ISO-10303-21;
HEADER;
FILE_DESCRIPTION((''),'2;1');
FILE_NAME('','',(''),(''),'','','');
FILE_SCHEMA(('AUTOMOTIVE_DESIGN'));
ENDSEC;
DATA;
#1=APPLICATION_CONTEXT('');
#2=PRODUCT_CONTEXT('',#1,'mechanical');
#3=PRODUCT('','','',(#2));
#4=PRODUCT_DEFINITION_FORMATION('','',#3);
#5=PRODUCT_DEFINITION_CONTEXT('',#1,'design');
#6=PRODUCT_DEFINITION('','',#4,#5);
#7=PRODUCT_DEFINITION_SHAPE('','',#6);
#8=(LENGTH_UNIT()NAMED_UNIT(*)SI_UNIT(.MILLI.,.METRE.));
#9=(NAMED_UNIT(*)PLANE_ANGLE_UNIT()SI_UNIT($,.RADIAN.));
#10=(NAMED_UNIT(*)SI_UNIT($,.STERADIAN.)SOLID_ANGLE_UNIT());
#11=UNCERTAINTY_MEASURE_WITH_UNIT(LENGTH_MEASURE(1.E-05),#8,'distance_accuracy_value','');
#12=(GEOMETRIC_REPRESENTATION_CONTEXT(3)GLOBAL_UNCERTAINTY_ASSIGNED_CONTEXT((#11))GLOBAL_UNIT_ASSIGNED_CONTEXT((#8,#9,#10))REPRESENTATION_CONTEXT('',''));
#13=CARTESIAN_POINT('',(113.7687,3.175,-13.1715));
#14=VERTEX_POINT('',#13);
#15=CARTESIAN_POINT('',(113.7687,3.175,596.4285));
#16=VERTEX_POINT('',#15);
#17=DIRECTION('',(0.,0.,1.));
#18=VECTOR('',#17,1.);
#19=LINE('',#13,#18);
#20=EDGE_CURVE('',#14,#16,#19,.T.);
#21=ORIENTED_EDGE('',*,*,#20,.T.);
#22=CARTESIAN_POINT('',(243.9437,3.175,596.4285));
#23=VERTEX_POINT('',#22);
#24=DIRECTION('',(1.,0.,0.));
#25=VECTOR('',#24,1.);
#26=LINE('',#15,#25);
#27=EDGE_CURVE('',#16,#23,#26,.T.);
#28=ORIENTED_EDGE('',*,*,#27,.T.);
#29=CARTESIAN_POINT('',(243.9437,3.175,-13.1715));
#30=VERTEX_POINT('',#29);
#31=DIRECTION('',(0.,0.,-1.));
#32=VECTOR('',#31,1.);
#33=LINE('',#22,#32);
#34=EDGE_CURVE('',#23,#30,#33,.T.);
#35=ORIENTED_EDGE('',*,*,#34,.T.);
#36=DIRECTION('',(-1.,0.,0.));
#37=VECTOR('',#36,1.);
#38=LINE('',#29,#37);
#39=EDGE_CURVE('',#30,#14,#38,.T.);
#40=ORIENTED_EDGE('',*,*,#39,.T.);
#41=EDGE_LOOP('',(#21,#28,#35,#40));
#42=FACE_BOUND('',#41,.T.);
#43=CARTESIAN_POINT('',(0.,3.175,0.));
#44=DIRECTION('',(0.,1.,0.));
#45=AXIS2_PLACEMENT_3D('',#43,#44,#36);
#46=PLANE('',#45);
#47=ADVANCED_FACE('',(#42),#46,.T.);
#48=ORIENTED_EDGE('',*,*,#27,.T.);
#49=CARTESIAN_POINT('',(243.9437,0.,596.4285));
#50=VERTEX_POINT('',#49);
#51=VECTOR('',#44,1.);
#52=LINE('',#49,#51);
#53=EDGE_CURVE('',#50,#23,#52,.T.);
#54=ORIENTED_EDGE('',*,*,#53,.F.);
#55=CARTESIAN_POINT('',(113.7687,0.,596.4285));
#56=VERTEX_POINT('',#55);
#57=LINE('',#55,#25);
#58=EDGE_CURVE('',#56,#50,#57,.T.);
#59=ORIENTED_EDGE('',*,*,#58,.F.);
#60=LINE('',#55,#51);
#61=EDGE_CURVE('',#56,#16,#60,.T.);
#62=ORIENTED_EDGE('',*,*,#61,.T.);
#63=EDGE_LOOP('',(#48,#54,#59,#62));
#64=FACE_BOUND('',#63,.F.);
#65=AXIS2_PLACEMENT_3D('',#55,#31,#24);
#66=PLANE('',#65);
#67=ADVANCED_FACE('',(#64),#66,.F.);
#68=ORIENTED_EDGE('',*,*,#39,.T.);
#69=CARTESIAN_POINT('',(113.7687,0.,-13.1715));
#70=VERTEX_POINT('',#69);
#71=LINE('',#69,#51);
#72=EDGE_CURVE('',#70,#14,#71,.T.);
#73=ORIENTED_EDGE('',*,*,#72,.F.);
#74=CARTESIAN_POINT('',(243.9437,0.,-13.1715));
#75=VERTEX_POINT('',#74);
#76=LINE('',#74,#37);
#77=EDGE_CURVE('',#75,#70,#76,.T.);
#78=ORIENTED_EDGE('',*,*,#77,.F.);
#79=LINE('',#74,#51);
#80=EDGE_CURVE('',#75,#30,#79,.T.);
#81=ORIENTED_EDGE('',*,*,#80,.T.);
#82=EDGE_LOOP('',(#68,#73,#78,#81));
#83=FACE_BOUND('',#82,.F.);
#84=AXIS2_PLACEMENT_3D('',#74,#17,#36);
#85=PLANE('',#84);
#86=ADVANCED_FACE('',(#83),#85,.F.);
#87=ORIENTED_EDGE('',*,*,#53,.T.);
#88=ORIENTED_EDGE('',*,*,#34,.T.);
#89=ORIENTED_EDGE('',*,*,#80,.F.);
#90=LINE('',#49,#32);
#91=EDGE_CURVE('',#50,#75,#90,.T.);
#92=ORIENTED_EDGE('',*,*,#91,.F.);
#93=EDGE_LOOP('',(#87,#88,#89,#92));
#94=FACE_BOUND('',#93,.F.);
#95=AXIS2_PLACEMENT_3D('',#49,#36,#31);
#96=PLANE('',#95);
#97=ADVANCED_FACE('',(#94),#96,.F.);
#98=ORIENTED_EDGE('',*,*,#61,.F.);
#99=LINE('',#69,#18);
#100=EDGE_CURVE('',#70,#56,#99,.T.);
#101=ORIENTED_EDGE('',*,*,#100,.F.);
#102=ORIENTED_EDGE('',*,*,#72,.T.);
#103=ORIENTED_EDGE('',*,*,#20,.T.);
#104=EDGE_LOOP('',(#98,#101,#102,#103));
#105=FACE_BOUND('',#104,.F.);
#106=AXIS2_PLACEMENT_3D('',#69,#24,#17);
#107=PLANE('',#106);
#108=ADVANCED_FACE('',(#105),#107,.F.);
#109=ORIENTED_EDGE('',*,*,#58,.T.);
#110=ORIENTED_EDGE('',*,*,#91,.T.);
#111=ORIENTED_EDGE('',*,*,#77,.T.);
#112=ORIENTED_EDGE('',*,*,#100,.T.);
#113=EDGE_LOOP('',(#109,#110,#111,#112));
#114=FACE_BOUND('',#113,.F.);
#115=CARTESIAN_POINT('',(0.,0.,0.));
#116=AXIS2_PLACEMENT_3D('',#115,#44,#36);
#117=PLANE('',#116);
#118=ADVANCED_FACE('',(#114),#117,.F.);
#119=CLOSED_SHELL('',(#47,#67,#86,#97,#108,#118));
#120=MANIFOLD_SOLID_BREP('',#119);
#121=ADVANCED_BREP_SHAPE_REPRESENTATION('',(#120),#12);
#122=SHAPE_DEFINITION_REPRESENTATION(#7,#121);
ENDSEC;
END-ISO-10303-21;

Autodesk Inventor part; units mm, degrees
ref_plane "YZ Plane" through (0, 0, 0) normal (1, 0, 0) x (0, 1, 0)
ref_plane "XZ Plane" through (0, 0, 0) normal (0, 1, 0) x (-1, 0, 0)
ref_plane "XY Plane" through (0, 0, 0) normal (0, 0, 1) x (1, 0, 0)
sketch "Connector Plate" plane through (0, 0, 0) normal (0, 1, 0) x (-1, 0, 0)
  line L0 (-113.7687, 596.4285) -> (-243.9437, 596.4285)
  line L1 (-243.9437, 596.4285) -> (-243.9437, -13.1715)
  line L2 (-243.9437, -13.1715) -> (-113.7687, -13.1715)
  line L3 (-113.7687, -13.1715) -> (-113.7687, 596.4285)
  point P0 (0, 0)
  dimension "d0" = 130.175
  dimension "d1" = 609.6
extrude "Extrusion1" add sketch "Connector Plate" along normal blind 3.175
sketch "DT04-2P - Exterior Panel (LS)" plane through (0, 3.175, 0) normal (0, 1, 0) x (1, 0, 0)
  line L0 (150.9797, -559.9795) -> (159.1077, -559.9795)
  line L1 (164.1877, -554.8995) -> (164.1877, -546.6445)
  line L2 (159.1077, -541.5645) -> (150.9797, -541.5645)
  line L3 (145.8997, -546.6445) -> (145.8997, -554.8995)
  circle A0 centre (143.8169, -565.9485) radius 2.159
  arc A1 (145.8997, -554.8995) -> (150.9797, -559.9795) centre (150.9797, -554.8995) ccw
  arc A2 (159.1077, -559.9795) -> (164.1877, -554.8995) centre (159.1077, -554.8995) ccw
  arc A3 (150.9797, -541.5645) -> (145.8997, -546.6445) centre (150.9797, -546.6445) ccw
  arc A4 (164.1877, -546.6445) -> (159.1077, -541.5645) centre (159.1077, -546.6445) ccw
  circle A5 centre (166.2705, -565.9485) radius 2.159
  circle A6 centre (143.8169, -535.5955) radius 2.159
  circle A7 centre (166.2705, -535.5955) radius 2.159
  line L4 (139.1687, -571.0285) -> (170.9187, -571.0285)
  line L5 (170.9187, -571.0285) -> (170.9187, -530.5155)
  line L6 (170.9187, -530.5155) -> (139.1687, -530.5155)
  line L7 (139.1687, -530.5155) -> (139.1687, -571.0285)
  line L8 (113.7687, -596.4285) -> (243.9437, -596.4285) projected
  line L9 (243.9437, -596.4285) -> (243.9437, 13.1715) projected
  line L10 (243.9437, 13.1715) -> (113.7687, 13.1715) projected
  line L11 (113.7687, 13.1715) -> (113.7687, -596.4285) projected
  line L12 (113.7687, 13.1715) -> (113.7687, -596.4285) projected
  line L13 (113.7687, -596.4285) -> (243.9437, -596.4285) projected
  line L14 (243.9437, 13.1715) -> (113.7687, 13.1715) projected
  arc A8 (150.9797, -490.7645) -> (145.8997, -495.8445) centre (150.9797, -495.8445) ccw
  line L15 (159.1077, -490.7645) -> (150.9797, -490.7645)
  arc A9 (164.1877, -495.8445) -> (159.1077, -490.7645) centre (159.1077, -495.8445) ccw
  arc A10 (145.8997, -504.0995) -> (150.9797, -509.1795) centre (150.9797, -504.0995) ccw
  line L16 (139.1687, -479.7155) -> (139.1687, -520.2285)
  arc A11 (159.1077, -509.1795) -> (164.1877, -504.0995) centre (159.1077, -504.0995) ccw
  line L17 (170.9187, -520.2285) -> (170.9187, -479.7155)
  line L18 (170.9187, -479.7155) -> (139.1687, -479.7155)
  circle A12 centre (166.2705, -484.7955) radius 2.159
  circle A13 centre (166.2705, -515.1485) radius 2.159
  line L19 (150.9797, -509.1795) -> (159.1077, -509.1795)
  circle A14 centre (143.8169, -515.1485) radius 2.159
  line L20 (164.1877, -504.0995) -> (164.1877, -495.8445)
  line L21 (145.8997, -495.8445) -> (145.8997, -504.0995)
  circle A15 centre (143.8169, -484.7955) radius 2.159
  line L22 (139.1687, -520.2285) -> (170.9187, -520.2285)
  arc A16 (150.9797, -439.9645) -> (145.8997, -445.0445) centre (150.9797, -445.0445) ccw
  line L23 (159.1077, -439.9645) -> (150.9797, -439.9645)
  arc A17 (164.1877, -445.0445) -> (159.1077, -439.9645) centre (159.1077, -445.0445) ccw
  arc A18 (145.8997, -453.2995) -> (150.9797, -458.3795) centre (150.9797, -453.2995) ccw
  line L24 (139.1687, -428.9155) -> (139.1687, -469.4285)
  arc A19 (159.1077, -458.3795) -> (164.1877, -453.2995) centre (159.1077, -453.2995) ccw
  line L25 (170.9187, -469.4285) -> (170.9187, -428.9155)
  line L26 (170.9187, -428.9155) -> (139.1687, -428.9155)
  circle A20 centre (166.2705, -433.9955) radius 2.159
  circle A21 centre (166.2705, -464.3485) radius 2.159
  line L27 (150.9797, -458.3795) -> (159.1077, -458.3795)
  circle A22 centre (143.8169, -464.3485) radius 2.159
  line L28 (164.1877, -453.2995) -> (164.1877, -445.0445)
  line L29 (145.8997, -445.0445) -> (145.8997, -453.2995)
  circle A23 centre (143.8169, -433.9955) radius 2.159
  line L30 (139.1687, -469.4285) -> (170.9187, -469.4285)
  arc A24 (150.9797, -389.1645) -> (145.8997, -394.2445) centre (150.9797, -394.2445) ccw
  line L31 (159.1077, -389.1645) -> (150.9797, -389.1645)
  arc A25 (164.1877, -394.2445) -> (159.1077, -389.1645) centre (159.1077, -394.2445) ccw
  arc A26 (145.8997, -402.4995) -> (150.9797, -407.5795) centre (150.9797, -402.4995) ccw
  line L32 (139.1687, -378.1155) -> (139.1687, -418.6285)
  arc A27 (159.1077, -407.5795) -> (164.1877, -402.4995) centre (159.1077, -402.4995) ccw
  line L33 (170.9187, -418.6285) -> (170.9187, -378.1155)
  line L34 (170.9187, -378.1155) -> (139.1687, -378.1155)
  circle A28 centre (166.2705, -383.1955) radius 2.159
  circle A29 centre (166.2705, -413.5485) radius 2.159
  line L35 (150.9797, -407.5795) -> (159.1077, -407.5795)
  circle A30 centre (143.8169, -413.5485) radius 2.159
  line L36 (164.1877, -402.4995) -> (164.1877, -394.2445)
  line L37 (145.8997, -394.2445) -> (145.8997, -402.4995)
  circle A31 centre (143.8169, -383.1955) radius 2.159
  line L38 (139.1687, -418.6285) -> (170.9187, -418.6285)
  point P0 (0, 0)
  point P1 (145.8997, -559.9795)
  point P2 (164.1877, -541.5645)
  point P3 (145.8997, -541.5645)
  point P4 (145.8997, -490.7645)
  point P5 (164.1877, -490.7645)
  point P6 (145.8997, -509.1795)
  point P7 (113.7687, -545.6285)
  point P8 (145.8997, -439.9645)
  point P9 (164.1877, -439.9645)
  point P10 (145.8997, -458.3795)
  point P11 (113.7687, -494.8285)
  point P12 (145.8997, -389.1645)
  point P13 (164.1877, -389.1645)
  point P14 (145.8997, -407.5795)
  point P15 (113.7687, -444.0285)
  dimension "d166" = 18.288
  dimension "d167" = 18.415
  dimension "d168" = 4.318
  dimension "d169" = 5.08
  dimension "d170" = 5.08
  dimension "d171" = 5.08
  dimension "d172" = 5.08
  dimension "d173" = 4.318
  dimension "d174" = 4.318
  dimension "d175" = 4.318
  dimension "d176" = 5.969
  dimension "d177" = 22.4536
  dimension "d178" = 0
  dimension "d179" = 2.0828
  dimension "d180" = 30.353
  dimension "d181" = 0
  dimension "d182" = 22.4536
  dimension "d183" = 5.969
  dimension "d184" = 31.75
  dimension "d185" = 40.513
  dimension "d186" = 5.08
  dimension "d187" = 4.6482
  dimension "d272" = 25.4
  dimension "d273" = 25.4
  dimension "d351" = 50.8
sketch "DT04-3P - VSCADA I/O" plane through (0, 3.175, 0) normal (0, 1, 0) x (1, 0, 0)
  circle A0 centre (196.9537, -550.772) radius 12.7
  circle A1 centre (185.7269, -565.9485) radius 2.159
  circle A2 centre (185.7269, -535.5955) radius 2.159
  circle A3 centre (208.1805, -565.9485) radius 2.159
  circle A4 centre (208.1805, -535.5955) radius 2.159
  line L0 (181.0787, -571.0285) -> (212.8287, -571.0285)
  line L1 (212.8287, -571.0285) -> (212.8287, -530.5155)
  line L2 (212.8287, -530.5155) -> (181.0787, -530.5155)
  line L3 (181.0787, -530.5155) -> (181.0787, -571.0285)
  line L4 (113.7687, 13.1715) -> (113.7687, -596.4285) projected
  line L5 (113.7687, -596.4285) -> (243.9437, -596.4285) projected
  line L6 (243.9437, 13.1715) -> (113.7687, 13.1715) projected
  line L7 (243.9437, -596.4285) -> (243.9437, 13.1715) projected
  line L8 (170.9187, -530.5155) -> (139.1687, -530.5155) projected
  line L9 (170.9187, -571.0285) -> (170.9187, -530.5155) projected
  circle A5 centre (196.9537, -499.972) radius 12.7
  circle A6 centre (185.7269, -484.7955) radius 2.159
  line L10 (181.0787, -479.7155) -> (181.0787, -520.2285)
  line L11 (212.8287, -479.7155) -> (181.0787, -479.7155)
  line L12 (212.8287, -520.2285) -> (212.8287, -479.7155)
  circle A7 centre (185.7269, -515.1485) radius 2.159
  line L13 (181.0787, -520.2285) -> (212.8287, -520.2285)
  circle A8 centre (208.1805, -515.1485) radius 2.159
  circle A9 centre (208.1805, -484.7955) radius 2.159
  circle A10 centre (196.9537, -449.172) radius 12.7
  circle A11 centre (185.7269, -433.9955) radius 2.159
  line L14 (181.0787, -428.9155) -> (181.0787, -469.4285)
  line L15 (212.8287, -428.9155) -> (181.0787, -428.9155)
  line L16 (212.8287, -469.4285) -> (212.8287, -428.9155)
  circle A12 centre (185.7269, -464.3485) radius 2.159
  line L17 (181.0787, -469.4285) -> (212.8287, -469.4285)
  circle A13 centre (208.1805, -464.3485) radius 2.159
  circle A14 centre (208.1805, -433.9955) radius 2.159
  circle A15 centre (196.9537, -398.372) radius 12.7
  circle A16 centre (185.7269, -383.1955) radius 2.159
  line L18 (181.0787, -378.1155) -> (181.0787, -418.6285)
  line L19 (212.8287, -378.1155) -> (181.0787, -378.1155)
  line L20 (212.8287, -418.6285) -> (212.8287, -378.1155)
  circle A17 centre (185.7269, -413.5485) radius 2.159
  line L21 (181.0787, -418.6285) -> (212.8287, -418.6285)
  circle A18 centre (208.1805, -413.5485) radius 2.159
  circle A19 centre (208.1805, -383.1955) radius 2.159
  point P0 (0, 0)
  point P1 (170.9187, -479.7155)
  point P2 (170.9187, -520.2285)
  point P3 (170.9187, -428.9155)
  point P4 (170.9187, -469.4285)
  point P5 (170.9187, -378.1155)
  point P6 (170.9187, -418.6285)
  dimension "d217" = 25.4
  dimension "d218" = 4.318
  dimension "d219" = 4.318
  dimension "d220" = 4.318
  dimension "d221" = 4.318
  dimension "d222" = 11.2268
  dimension "d223" = 11.2268
  dimension "d224" = 11.2268
  dimension "d225" = 11.2268
  dimension "d226" = 15.1765
  dimension "d227" = 15.1765
  dimension "d228" = 15.1765
  dimension "d229" = 15.1765
  dimension "d230" = 31.75
  dimension "d231" = 40.513
  dimension "d232" = 5.08
  dimension "d233" = 4.6482
  dimension "d343" = 10.16
  dimension "d344" = 25.4
  dimension "d358" = 50.8
sketch "DT04-4P - Safety Loop" plane through (0, 3.175, 0) normal (0, 1, 0) x (1, 0, 0)
  line L0 (151.1575, -358.748) -> (159.4379, -358.748)
  line L1 (165.7879, -352.398) -> (165.7879, -343)
  line L2 (159.4379, -336.65) -> (151.1575, -336.65)
  line L3 (144.8075, -343) -> (144.8075, -352.398)
  arc A0 (144.8075, -352.398) -> (151.1575, -358.748) centre (151.1575, -352.398) ccw
  arc A1 (151.1575, -336.65) -> (144.8075, -343) centre (151.1575, -343) ccw
  arc A2 (165.7879, -343) -> (159.4379, -336.65) centre (159.4379, -343) ccw
  arc A3 (159.4379, -358.748) -> (165.7879, -352.398) centre (159.4379, -352.398) ccw
  circle A4 centre (143.8169, -362.8755) radius 2.1463
  circle A5 centre (166.5245, -332.5225) radius 2.1463
  circle A6 centre (166.5245, -362.8755) radius 2.1463
  circle A7 centre (144.0709, -332.5225) radius 2.1463
  line L4 (139.1687, -367.9555) -> (170.9187, -367.9555)
  line L5 (170.9187, -367.9555) -> (170.9187, -327.4425)
  line L6 (170.9187, -327.4425) -> (139.1687, -327.4425)
  line L7 (139.1687, -327.4425) -> (139.1687, -367.9555)
  line L8 (113.7687, 13.1715) -> (113.7687, -596.4285) projected
  line L9 (113.7687, -596.4285) -> (243.9437, -596.4285) projected
  line L10 (212.8287, -469.4285) -> (212.8287, -428.9155) projected
  line L11 (170.9187, -378.1155) -> (139.1687, -378.1155) projected
  point P0 (0, 0)
  point P1 (165.7879, -336.65)
  point P2 (165.7879, -358.748)
  point P3 (144.8075, -336.65)
  dimension "d76" = 20.9804
  dimension "d77" = 22.098
  dimension "d78" = 6.35
  dimension "d79" = 4.2926
  dimension "d80" = 4.2926
  dimension "d81" = 4.2926
  dimension "d82" = 4.2926
  dimension "d83" = 0.9906
  dimension "d84" = 0.7366
  dimension "d85" = 0.7366
  dimension "d86" = 0.7366
  dimension "d87" = 4.1275
  dimension "d88" = 4.1275
  dimension "d89" = 4.1275
  dimension "d90" = 4.1275
  dimension "d188" = 31.75
  dimension "d189" = 40.513
  dimension "d190" = 5.08
  dimension "d191" = 4.6482
  dimension "d397" = 10.16
  dimension "d398" = 25.4
sketch "DT04-6P - Exterior Panel (RS)" plane through (0, 3.175, 0) normal (0, 1, 0) x (1, 0, 0)
  line L0 (160.6825, -297.5975) -> (173.4079, -297.5975)
  line L1 (179.7579, -291.2475) -> (179.7579, -281.8495)
  line L2 (173.4079, -275.4995) -> (160.6825, -275.4995)
  line L3 (154.3325, -281.8495) -> (154.3325, -291.2475)
  arc A0 (154.3325, -291.2475) -> (160.6825, -297.5975) centre (160.6825, -291.2475) ccw
  arc A1 (173.4079, -297.5975) -> (179.7579, -291.2475) centre (173.4079, -291.2475) ccw
  arc A2 (179.7579, -281.8495) -> (173.4079, -275.4995) centre (173.4079, -281.8495) ccw
  arc A3 (160.6825, -275.4995) -> (154.3325, -281.8495) centre (160.6825, -281.8495) ccw
  circle A4 centre (147.7412, -286.5485) radius 2.8067
  circle A5 centre (186.3492, -286.5485) radius 3.175
  line L4 (139.1687, -302.0425) -> (193.9057, -302.0425)
  line L5 (193.9057, -302.0425) -> (193.9057, -271.0545)
  line L6 (193.9057, -271.0545) -> (139.1687, -271.0545)
  line L7 (139.1687, -271.0545) -> (139.1687, -302.0425)
  line L8 (113.7687, 13.1715) -> (113.7687, -596.4285) projected
  line L9 (113.7687, -596.4285) -> (243.9437, -596.4285) projected
  line L10 (212.8287, -530.5155) -> (181.0787, -530.5155) projected
  line L11 (212.8287, -571.0285) -> (212.8287, -530.5155) projected
  line L12 (160.6825, -256.4495) -> (173.4079, -256.4495)
  line L13 (179.7579, -250.0995) -> (179.7579, -240.7015)
  line L14 (173.4079, -234.3515) -> (160.6825, -234.3515)
  line L15 (154.3325, -240.7015) -> (154.3325, -250.0995)
  arc A6 (154.3325, -250.0995) -> (160.6825, -256.4495) centre (160.6825, -250.0995) ccw
  line L16 (139.1687, -229.9065) -> (139.1687, -260.8945)
  circle A7 centre (147.7412, -245.4005) radius 2.8067
  arc A8 (160.6825, -234.3515) -> (154.3325, -240.7015) centre (160.6825, -240.7015) ccw
  arc A9 (173.4079, -256.4495) -> (179.7579, -250.0995) centre (173.4079, -250.0995) ccw
  arc A10 (179.7579, -240.7015) -> (173.4079, -234.3515) centre (173.4079, -240.7015) ccw
  line L17 (193.9057, -229.9065) -> (139.1687, -229.9065)
  line L18 (139.1687, -260.8945) -> (193.9057, -260.8945)
  circle A11 centre (186.3492, -245.4005) radius 3.175
  line L19 (193.9057, -260.8945) -> (193.9057, -229.9065)
  line L20 (139.1687, -367.9555) -> (170.9187, -367.9555) projected
  line L21 (170.9187, -327.4425) -> (139.1687, -327.4425) projected
  line L22 (170.9187, -367.9555) -> (170.9187, -327.4425) projected
  line L23 (139.1687, -327.4425) -> (139.1687, -367.9555) projected
  point P0 (0, 0)
  point P1 (212.8287, -529.8805)
  point P2 (212.8287, -489.3675)
  point P3 (181.0787, -489.3675)
  point P4 (243.9437, -555.2805)
  dimension "d268" = 6.35
  dimension "d269" = 25.4254
  dimension "d270" = 22.098
  dimension "d271" = 5.6134
  dimension "d290" = 6.35
  dimension "d291" = 6.5913
  dimension "d292" = 6.5913
  dimension "d293" = 11.049
  dimension "d294" = 11.049
  dimension "d295" = 54.737
  dimension "d296" = 30.988
  dimension "d297" = 15.494
  dimension "d298" = 14.1478
  dimension "d365" = 41.148
  dimension "d401" = 25.4
  dimension "d402" = 0
sketch "DT04-6P - Exterior Panel (RS) ALT" plane through (0, 3.175, 0) normal (0, 1, 0) x (1, 0, 0)
  line L0 (48.3979, -171.3115) -> (61.0979, -171.3115)
  line L1 (67.4479, -164.9615) -> (67.4479, -152.2615)
  line L2 (61.0979, -145.9115) -> (48.3979, -145.9115)
  line L3 (42.0479, -152.2615) -> (42.0479, -164.9615)
  arc A0 (42.0479, -164.9615) -> (48.3979, -171.3115) centre (48.3979, -164.9615) ccw
  arc A1 (61.0979, -171.3115) -> (67.4479, -164.9615) centre (61.0979, -164.9615) ccw
  arc A2 (67.4479, -152.2615) -> (61.0979, -145.9115) centre (61.0979, -152.2615) ccw
  arc A3 (48.3979, -145.9115) -> (42.0479, -152.2615) centre (48.3979, -152.2615) ccw
  circle A4 centre (42.7464, -181.1159) radius 2.159
  circle A5 centre (66.7494, -136.1071) radius 2.159
  circle A6 centre (66.7494, -181.1159) radius 2.159
  circle A7 centre (42.7464, -136.1071) radius 2.159
  line L4 (36.9933, -186.107) -> (72.5025, -186.107)
  line L5 (72.5025, -186.107) -> (72.5025, -131.116)
  line L6 (72.5025, -131.116) -> (36.9933, -131.116)
  line L7 (36.9933, -131.116) -> (36.9933, -186.107)
  point P0 (0, 0)
  point P1 (67.4479, -145.9115)
  point P2 (67.4479, -171.3115)
  point P3 (42.0479, -145.9115)
  dimension "d91" = 25.4
  dimension "d92" = 25.4
  dimension "d93" = 6.35
  dimension "d94" = 4.318
  dimension "d95" = 4.318
  dimension "d96" = 4.318
  dimension "d97" = 4.318
  dimension "d98" = 9.8044
  dimension "d99" = 9.8044
  dimension "d100" = 9.8044
  dimension "d101" = 9.8044
  dimension "d102" = 0.6985
  dimension "d103" = 24.003
  dimension "d104" = 0.6985
  dimension "d105" = 24.003
  dimension "d192" = 35.5092
  dimension "d193" = 54.991
  dimension "d194" = 5.7531
  dimension "d195" = 4.9911
sketch "DT04-12P - Interior Panel" plane through (0, 3.175, 0) normal (0, 1, 0) x (1, 0, 0)
  line L0 (193.4485, -319.4796) -> (204.2689, -319.4796)
  line L1 (210.6189, -325.8296) -> (210.6189, -354.9634)
  line L2 (204.2689, -361.3134) -> (193.4485, -361.3134)
  line L3 (187.0985, -354.9634) -> (187.0985, -325.8296)
  arc A0 (187.0985, -354.9634) -> (193.4485, -361.3134) centre (193.4485, -354.9634) ccw
  arc A1 (204.2689, -361.3134) -> (210.6189, -354.9634) centre (204.2689, -354.9634) ccw
  arc A2 (210.6189, -325.8296) -> (204.2689, -319.4796) centre (204.2689, -325.8296) ccw
  arc A3 (193.4485, -319.4796) -> (187.0985, -325.8296) centre (193.4485, -325.8296) ccw
  circle A4 centre (186.9207, -317.9175) radius 2.1463
  circle A5 centre (210.7967, -317.9175) radius 2.1463
  circle A6 centre (210.7967, -362.8755) radius 2.1463
  circle A7 centre (186.9207, -362.8755) radius 2.1463
  line L4 (181.0787, -367.9555) -> (216.6387, -367.9555)
  line L5 (216.6387, -367.9555) -> (216.6387, -312.8375)
  line L6 (216.6387, -312.8375) -> (181.0787, -312.8375)
  line L7 (181.0787, -312.8375) -> (181.0787, -367.9555)
  line L8 (113.7687, 13.1715) -> (113.7687, -596.4285) projected
  line L9 (113.7687, -596.4285) -> (243.9437, -596.4285) projected
  line L10 (170.9187, -327.4425) -> (139.1687, -327.4425) projected
  line L11 (212.8287, -469.4285) -> (212.8287, -428.9155) projected
  line L12 (181.0787, -378.1155) -> (181.0787, -418.6285) projected
  line L13 (212.8287, -378.1155) -> (181.0787, -378.1155) projected
  point P0 (0, 0)
  point P1 (187.0985, -319.4796)
  point P2 (210.6189, -361.3134)
  point P3 (187.0985, -361.3134)
  dimension "d106" = 23.5204
  dimension "d107" = 41.8338
  dimension "d108" = 6.35
  dimension "d110" = 0.1778
  dimension "d111" = 23.876
  dimension "d112" = 0.1778
  dimension "d113" = 1.5621
  dimension "d114" = 23.876
  dimension "d115" = 1.5621
  dimension "d116" = 1.5621
  dimension "d117" = 1.5621
  dimension "d196" = 35.56
  dimension "d197" = 55.118
  dimension "d198" = 5.08
  dimension "d199" = 5.842
  dimension "d305" = 4.2926
  dimension "d306" = 4.2926
  dimension "d307" = 4.2926
  dimension "d308" = 4.2926
  dimension "d399" = 0
  dimension "d400" = 10.16
sketch "USB/Ethernet Mounts" plane through (0, 3.175, 0) normal (0, 1, 0) x (1, 0, 0)
  arc A0 (168.9187, -143.2107) -> (168.9187, -155.8202) centre (156.4187, -149.5155) ccw
  line L0 (168.9187, -155.8202) -> (168.9187, -143.2107)
  circle A1 centre (156.4187, -149.5155) radius 17.25
  line L1 (113.7687, -596.4285) -> (243.9437, -596.4285) projected
  line L2 (243.9437, -596.4285) -> (243.9437, 13.1715) projected
  line L3 (243.9437, 13.1715) -> (113.7687, 13.1715) projected
  line L4 (113.7687, 13.1715) -> (113.7687, -596.4285) projected
  line L5 (113.7687, -596.4285) -> (243.9437, -596.4285) projected
  line L6 (170.9187, -378.1155) -> (139.1687, -378.1155) projected
  arc A2 (207.0187, -143.2107) -> (207.0187, -155.8202) centre (194.5187, -149.5155) ccw
  line L7 (207.0187, -155.8202) -> (207.0187, -143.2107)
  circle A3 centre (194.5187, -149.5155) radius 17.25
  point P0 (0, 0)
  dimension "d310" = 12.5
  dimension "d312" = 26.5
  dimension "d313" = 34.5
  dimension "d316" = 3.25
  dimension "d372" = 228.6
  dimension "d375" = 38.1
  dimension "d385" = 42.65
sketch "HDMI Mount" plane through (0, 3.175, 0) normal (0, 1, 0) x (1, 0, 0)
  line L0 (175.7447, -219.7465) -> (139.1687, -219.7465)
  line L1 (139.1687, -219.7465) -> (139.1687, -183.1705)
  line L2 (139.1687, -183.1705) -> (175.7447, -183.1705)
  line L3 (175.7447, -183.1705) -> (175.7447, -219.7465)
  line L4 (113.7687, 13.1715) -> (113.7687, -596.4285) projected
  circle A0 centre (157.4567, -201.4585) radius 15.113
  line L5 (216.6387, -312.8375) -> (181.0787, -312.8375) projected
  line L6 (193.9057, -229.9065) -> (139.1687, -229.9065) projected
  point P0 (0, 0)
  point P1 (214.17, -4.8669)
  point P2 (194.5187, -149.5155)
  dimension "d336" = 36.576
  dimension "d337" = 36.576
  dimension "d340" = 30.226
  dimension "d341" = 18.288
  dimension "d342" = 18.288
  dimension "d403" = 10.16
  dimension "d404" = 25.4
sketch "CircuitB Breakers" plane through (0, 3.175, 0) normal (0, 1, 0) x (1, 0, 0)
  line L0 (139.1687, -114.5075) -> (158.4727, -114.5075)
  line L1 (158.4727, -114.5075) -> (158.4727, -95.2035)
  line L2 (158.4727, -95.2035) -> (139.1687, -95.2035)
  line L3 (139.1687, -95.2035) -> (139.1687, -114.5075)
  circle A0 centre (148.8207, -104.8555) radius 8.001
  line L4 (113.7687, 13.1715) -> (113.7687, -596.4285) projected
  circle A1 centre (156.4187, -149.5155) radius 17.25 projected
  line L5 (169.6487, -114.5075) -> (188.9527, -114.5075)
  line L6 (188.9527, -114.5075) -> (188.9527, -95.2035)
  line L7 (188.9527, -95.2035) -> (169.6487, -95.2035)
  line L8 (169.6487, -95.2035) -> (169.6487, -114.5075)
  circle A2 centre (179.3007, -104.8555) radius 8.001
  point P0 (0, 0)
  point P1 (144.2487, 13.1715)
  dimension "d380" = 19.304
  dimension "d381" = 19.304
  dimension "d382" = 16.002
  dimension "d383" = 9.652
  dimension "d384" = 9.652
  dimension "d388" = 25.4
  dimension "d389" = 44.66
  dimension "d392" = 30.48
  dimension "d405" = 34.5
properties part number "Box Connector Panel"
